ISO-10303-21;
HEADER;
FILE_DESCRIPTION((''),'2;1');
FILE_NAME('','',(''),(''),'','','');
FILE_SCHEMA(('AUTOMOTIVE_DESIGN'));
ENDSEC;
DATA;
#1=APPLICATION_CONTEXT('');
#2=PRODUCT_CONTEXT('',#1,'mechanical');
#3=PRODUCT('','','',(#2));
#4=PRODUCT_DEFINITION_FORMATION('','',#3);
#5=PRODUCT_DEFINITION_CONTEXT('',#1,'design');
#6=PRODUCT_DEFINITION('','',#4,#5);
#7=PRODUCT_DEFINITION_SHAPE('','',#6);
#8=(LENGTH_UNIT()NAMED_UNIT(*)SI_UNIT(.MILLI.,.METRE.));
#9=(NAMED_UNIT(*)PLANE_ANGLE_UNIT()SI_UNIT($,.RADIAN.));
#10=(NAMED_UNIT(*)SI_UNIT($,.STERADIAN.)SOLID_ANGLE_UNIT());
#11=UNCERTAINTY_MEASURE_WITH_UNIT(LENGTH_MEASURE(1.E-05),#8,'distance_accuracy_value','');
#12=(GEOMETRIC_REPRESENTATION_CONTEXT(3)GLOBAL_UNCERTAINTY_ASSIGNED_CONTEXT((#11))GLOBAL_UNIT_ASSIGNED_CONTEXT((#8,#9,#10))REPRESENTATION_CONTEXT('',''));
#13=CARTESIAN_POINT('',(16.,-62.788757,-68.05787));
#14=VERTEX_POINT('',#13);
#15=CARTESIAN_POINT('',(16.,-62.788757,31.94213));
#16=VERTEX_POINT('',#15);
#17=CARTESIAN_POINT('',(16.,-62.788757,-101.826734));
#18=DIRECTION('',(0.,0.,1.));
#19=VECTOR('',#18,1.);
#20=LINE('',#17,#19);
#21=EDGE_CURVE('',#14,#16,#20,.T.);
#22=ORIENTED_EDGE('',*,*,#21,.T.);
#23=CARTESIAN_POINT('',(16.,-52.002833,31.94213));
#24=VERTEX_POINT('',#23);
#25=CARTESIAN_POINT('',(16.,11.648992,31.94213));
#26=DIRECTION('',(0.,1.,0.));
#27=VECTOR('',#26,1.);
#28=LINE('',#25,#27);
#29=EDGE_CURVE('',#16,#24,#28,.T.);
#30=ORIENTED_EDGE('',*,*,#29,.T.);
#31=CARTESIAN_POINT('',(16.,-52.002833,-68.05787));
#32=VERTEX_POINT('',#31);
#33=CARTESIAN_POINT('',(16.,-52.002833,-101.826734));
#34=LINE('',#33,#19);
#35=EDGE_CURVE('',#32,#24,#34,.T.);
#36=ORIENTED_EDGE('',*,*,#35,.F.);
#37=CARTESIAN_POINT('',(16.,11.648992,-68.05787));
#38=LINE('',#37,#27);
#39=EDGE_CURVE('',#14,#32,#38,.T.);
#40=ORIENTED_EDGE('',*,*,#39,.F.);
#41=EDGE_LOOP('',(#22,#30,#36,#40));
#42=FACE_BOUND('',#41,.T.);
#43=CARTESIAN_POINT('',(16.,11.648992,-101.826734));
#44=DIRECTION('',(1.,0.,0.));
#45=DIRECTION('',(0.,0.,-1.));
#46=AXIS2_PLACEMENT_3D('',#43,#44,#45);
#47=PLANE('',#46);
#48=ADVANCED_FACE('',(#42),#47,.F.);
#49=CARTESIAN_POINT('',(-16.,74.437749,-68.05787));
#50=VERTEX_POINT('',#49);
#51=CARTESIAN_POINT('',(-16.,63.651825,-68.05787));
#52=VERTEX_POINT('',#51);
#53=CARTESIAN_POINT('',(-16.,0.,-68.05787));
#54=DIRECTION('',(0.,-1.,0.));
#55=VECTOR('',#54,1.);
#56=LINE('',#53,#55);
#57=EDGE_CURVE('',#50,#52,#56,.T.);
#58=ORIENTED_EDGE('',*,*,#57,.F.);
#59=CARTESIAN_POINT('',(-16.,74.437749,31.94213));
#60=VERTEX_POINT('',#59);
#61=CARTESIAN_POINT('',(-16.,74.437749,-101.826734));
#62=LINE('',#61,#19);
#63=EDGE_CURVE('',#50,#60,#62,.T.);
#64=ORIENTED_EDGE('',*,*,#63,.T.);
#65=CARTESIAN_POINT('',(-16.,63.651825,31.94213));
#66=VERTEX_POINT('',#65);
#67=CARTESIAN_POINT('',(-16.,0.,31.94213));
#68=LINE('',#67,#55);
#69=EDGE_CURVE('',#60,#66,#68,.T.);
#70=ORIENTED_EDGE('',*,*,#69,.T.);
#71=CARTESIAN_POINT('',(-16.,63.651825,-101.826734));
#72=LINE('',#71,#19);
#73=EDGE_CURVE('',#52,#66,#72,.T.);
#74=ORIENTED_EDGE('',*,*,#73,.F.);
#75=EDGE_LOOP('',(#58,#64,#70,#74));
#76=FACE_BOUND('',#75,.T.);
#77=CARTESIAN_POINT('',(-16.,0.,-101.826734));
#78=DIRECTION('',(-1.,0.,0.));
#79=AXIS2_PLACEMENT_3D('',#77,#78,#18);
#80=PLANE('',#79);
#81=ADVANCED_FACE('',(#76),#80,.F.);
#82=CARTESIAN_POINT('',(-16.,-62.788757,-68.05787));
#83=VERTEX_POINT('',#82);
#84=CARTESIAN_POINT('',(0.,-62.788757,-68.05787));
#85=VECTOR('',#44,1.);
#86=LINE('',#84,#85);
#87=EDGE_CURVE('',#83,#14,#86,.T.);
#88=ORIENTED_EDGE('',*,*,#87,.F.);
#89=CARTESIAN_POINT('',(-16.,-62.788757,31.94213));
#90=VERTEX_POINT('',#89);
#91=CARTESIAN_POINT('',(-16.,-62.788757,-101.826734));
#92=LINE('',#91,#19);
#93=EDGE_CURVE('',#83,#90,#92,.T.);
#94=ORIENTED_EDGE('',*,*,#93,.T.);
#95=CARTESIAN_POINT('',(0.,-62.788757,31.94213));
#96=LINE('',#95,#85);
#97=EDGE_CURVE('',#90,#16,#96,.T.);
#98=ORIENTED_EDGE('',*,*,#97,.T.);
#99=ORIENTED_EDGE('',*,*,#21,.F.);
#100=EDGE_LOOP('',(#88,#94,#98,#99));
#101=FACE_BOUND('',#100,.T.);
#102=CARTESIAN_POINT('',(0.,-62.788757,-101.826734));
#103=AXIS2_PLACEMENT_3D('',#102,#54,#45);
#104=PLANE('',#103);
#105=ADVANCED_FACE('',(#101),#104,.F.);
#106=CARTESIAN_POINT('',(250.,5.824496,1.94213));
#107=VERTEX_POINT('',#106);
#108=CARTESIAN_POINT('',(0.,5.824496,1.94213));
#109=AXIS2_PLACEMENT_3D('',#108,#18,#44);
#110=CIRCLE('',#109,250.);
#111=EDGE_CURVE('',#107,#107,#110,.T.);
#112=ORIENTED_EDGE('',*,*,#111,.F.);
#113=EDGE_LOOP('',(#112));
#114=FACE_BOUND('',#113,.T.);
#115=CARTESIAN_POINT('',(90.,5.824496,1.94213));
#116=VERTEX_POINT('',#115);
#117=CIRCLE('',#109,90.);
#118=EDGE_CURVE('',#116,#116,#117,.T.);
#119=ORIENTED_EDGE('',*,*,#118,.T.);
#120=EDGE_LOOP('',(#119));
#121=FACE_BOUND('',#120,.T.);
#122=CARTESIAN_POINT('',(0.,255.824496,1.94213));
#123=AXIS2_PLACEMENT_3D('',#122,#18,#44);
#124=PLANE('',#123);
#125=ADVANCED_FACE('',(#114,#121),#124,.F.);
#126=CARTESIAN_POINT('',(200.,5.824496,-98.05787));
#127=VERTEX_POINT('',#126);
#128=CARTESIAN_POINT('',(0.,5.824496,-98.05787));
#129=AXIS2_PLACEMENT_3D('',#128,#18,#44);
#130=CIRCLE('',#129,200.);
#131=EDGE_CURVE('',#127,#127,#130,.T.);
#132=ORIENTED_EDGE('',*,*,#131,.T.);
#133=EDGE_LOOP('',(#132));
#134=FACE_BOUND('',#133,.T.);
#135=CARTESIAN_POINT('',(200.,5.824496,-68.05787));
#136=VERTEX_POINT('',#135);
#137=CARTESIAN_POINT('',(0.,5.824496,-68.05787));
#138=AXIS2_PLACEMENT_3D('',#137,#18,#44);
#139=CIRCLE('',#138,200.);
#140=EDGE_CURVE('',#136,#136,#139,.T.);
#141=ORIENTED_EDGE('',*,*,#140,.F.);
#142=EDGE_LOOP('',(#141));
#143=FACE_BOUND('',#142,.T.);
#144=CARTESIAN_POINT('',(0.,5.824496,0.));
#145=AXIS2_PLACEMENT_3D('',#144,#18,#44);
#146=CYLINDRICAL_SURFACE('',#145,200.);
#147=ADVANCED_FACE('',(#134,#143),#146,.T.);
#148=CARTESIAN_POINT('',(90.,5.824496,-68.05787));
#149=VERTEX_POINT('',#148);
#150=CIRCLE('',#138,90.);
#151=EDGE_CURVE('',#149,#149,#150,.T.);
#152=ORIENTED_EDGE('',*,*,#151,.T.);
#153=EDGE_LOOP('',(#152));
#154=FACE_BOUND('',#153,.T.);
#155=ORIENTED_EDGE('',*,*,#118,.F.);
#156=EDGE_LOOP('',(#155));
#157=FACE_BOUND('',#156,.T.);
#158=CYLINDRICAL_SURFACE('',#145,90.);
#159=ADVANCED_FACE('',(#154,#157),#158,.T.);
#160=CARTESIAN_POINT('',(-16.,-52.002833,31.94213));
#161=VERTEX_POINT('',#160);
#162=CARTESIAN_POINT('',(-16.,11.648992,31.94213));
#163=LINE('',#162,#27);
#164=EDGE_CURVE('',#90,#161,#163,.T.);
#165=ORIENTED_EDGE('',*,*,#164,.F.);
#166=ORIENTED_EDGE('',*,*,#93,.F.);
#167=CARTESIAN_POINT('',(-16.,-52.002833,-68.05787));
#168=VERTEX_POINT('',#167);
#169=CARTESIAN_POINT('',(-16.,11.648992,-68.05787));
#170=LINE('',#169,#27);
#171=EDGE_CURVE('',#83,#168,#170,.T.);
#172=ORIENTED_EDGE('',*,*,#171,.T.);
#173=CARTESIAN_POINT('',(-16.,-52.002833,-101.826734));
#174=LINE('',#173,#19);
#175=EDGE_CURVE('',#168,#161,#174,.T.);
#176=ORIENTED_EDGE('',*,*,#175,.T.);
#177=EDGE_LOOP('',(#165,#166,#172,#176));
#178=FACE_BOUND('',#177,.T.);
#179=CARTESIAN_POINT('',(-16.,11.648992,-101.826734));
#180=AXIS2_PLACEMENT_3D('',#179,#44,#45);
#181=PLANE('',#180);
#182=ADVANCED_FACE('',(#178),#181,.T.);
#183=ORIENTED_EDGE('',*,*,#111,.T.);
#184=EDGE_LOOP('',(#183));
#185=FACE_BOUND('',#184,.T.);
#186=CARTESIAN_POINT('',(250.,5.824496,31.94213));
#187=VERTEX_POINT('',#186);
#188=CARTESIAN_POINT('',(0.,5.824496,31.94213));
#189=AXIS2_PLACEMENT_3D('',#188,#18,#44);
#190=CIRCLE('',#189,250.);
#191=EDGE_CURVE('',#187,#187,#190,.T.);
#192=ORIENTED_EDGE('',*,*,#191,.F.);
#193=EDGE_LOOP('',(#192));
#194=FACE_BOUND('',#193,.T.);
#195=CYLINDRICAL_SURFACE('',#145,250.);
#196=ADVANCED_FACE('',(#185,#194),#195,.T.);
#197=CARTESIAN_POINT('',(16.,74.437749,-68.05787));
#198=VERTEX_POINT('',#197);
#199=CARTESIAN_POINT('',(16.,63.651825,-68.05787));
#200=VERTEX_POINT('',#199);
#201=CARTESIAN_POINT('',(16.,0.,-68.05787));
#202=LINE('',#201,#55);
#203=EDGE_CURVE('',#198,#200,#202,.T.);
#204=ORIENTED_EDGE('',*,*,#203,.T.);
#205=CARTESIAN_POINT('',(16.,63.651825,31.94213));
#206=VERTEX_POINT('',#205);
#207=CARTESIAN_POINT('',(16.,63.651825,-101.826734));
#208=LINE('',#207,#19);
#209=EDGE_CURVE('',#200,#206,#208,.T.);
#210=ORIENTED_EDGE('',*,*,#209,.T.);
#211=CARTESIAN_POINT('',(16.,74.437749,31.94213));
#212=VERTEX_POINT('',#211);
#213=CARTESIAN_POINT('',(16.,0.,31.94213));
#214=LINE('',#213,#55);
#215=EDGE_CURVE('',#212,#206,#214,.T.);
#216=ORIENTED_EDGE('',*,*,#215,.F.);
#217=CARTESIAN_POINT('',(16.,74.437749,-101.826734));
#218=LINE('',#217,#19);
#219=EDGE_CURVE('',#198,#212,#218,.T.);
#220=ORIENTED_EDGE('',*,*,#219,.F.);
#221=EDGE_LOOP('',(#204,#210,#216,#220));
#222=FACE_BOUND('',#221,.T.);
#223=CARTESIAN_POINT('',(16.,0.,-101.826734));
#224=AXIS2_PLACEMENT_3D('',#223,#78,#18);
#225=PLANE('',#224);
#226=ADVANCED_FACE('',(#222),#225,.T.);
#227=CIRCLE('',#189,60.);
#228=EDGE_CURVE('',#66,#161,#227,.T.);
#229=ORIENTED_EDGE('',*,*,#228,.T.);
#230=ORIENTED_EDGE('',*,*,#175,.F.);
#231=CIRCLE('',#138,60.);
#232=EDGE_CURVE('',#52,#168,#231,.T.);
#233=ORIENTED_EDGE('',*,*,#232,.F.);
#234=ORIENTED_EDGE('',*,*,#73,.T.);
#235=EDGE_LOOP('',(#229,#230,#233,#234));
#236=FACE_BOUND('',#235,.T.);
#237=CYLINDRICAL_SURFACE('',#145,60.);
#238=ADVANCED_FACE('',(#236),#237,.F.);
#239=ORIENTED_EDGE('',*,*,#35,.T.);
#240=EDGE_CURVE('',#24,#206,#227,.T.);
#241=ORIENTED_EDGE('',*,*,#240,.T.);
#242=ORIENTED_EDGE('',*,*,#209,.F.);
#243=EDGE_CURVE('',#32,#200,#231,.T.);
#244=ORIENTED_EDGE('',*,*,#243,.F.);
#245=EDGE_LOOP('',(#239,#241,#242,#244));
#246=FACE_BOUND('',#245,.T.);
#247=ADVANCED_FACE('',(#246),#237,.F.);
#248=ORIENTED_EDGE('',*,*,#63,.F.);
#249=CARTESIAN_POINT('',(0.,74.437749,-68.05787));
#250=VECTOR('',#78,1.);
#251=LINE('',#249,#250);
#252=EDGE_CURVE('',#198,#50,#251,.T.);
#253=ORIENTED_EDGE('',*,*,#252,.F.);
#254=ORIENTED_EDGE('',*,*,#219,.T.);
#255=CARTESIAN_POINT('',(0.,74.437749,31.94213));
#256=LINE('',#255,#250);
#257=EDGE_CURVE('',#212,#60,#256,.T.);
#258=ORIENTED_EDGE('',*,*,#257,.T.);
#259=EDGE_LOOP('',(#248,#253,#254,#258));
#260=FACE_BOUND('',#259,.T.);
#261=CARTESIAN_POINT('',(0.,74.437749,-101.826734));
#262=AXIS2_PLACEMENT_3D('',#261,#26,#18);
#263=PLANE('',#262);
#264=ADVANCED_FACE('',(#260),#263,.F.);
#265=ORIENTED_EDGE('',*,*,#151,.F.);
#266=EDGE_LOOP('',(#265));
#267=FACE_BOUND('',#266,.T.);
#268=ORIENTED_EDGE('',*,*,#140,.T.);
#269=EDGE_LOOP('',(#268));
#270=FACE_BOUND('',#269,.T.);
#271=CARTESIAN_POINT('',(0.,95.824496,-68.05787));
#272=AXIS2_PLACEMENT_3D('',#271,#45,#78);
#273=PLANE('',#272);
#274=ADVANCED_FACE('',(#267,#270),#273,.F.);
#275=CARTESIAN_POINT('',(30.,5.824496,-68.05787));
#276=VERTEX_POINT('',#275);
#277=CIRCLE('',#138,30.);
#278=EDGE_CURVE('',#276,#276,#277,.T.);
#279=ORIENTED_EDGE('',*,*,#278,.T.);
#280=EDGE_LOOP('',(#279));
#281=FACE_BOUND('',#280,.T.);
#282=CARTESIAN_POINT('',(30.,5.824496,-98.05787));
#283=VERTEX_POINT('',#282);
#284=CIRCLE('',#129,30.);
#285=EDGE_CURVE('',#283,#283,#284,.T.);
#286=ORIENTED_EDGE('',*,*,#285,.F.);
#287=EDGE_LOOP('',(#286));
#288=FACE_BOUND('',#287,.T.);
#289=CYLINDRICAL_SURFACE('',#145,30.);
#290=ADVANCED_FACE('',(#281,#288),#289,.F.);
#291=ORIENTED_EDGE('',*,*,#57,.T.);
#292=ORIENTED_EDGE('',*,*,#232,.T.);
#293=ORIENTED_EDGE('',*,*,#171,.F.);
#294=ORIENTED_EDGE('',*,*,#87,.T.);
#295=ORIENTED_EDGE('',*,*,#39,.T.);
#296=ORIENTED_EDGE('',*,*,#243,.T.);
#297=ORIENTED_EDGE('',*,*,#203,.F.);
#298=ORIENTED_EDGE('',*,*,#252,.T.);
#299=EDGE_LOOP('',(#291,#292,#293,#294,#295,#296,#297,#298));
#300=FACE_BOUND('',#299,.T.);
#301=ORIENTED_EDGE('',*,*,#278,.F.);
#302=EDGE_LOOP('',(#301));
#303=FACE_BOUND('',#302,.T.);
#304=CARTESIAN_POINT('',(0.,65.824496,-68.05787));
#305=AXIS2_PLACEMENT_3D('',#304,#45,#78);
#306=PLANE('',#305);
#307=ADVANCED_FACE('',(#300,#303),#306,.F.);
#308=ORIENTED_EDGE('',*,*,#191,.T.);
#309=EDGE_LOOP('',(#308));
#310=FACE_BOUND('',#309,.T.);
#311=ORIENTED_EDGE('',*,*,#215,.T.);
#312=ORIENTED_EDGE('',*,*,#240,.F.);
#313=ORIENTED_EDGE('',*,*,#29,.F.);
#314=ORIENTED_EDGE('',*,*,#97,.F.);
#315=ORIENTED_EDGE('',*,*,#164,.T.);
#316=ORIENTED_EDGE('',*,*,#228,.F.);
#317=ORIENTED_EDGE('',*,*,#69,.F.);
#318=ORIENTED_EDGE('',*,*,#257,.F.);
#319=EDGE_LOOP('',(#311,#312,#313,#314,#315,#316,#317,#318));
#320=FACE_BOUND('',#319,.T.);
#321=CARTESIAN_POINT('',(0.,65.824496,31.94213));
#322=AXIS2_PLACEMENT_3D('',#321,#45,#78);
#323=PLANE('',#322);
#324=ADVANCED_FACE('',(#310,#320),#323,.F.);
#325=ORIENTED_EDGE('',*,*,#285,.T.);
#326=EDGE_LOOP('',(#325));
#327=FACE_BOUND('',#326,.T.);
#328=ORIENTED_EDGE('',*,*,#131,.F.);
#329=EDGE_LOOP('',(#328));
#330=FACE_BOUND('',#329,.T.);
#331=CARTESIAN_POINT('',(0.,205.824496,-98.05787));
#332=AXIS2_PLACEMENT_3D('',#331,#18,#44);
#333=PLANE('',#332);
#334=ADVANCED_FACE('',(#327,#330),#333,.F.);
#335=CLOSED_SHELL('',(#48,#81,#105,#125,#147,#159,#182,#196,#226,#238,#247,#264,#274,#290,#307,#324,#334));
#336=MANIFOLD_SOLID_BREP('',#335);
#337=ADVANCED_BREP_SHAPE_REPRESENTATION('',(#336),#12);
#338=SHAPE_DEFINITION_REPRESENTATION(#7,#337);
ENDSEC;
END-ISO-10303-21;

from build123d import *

# Parameters (mm, degrees)
CUT_EXTRUDE1_DEPTH = 100
CIRPATTERN1_COUNT  = 2


with BuildPart() as part:
    # Sketch2 → Revolve1 (revolve)
    with BuildSketch(Plane(origin=(0, 0, 0), x_dir=(0, 0, -1), z_dir=(1, 0, 0))):
        Polygon((-31.942129743, 65.824496016), (-31.942129743, 255.824496016), (-1.942129743, 255.824496016), (-1.942129743, 95.824496016), (68.057870257, 95.824496016), (68.057870257, 205.824496016), (98.057870257, 205.824496016), (98.057870257, 35.824496016), (68.057870257, 35.824496016), (68.057870257, 65.824496016), align=None)
    revolve(axis=Axis((0, 5.824496016, 0), (0, 0, -1)))

    # Sketch3 → Cut-Extrude1 (cut)
    with BuildSketch(Plane.XY.offset(31.942129743)):
        with BuildLine():
            Line((16, 63.651825195), (16, 74.437748913))
            Line((16, 74.437748913), (-16, 74.437748913))
            Line((-16, 74.437748913), (-16, 63.651825195))
            ThreePointArc((-16, 63.651825195), (0, 65.824496016), (16, 63.651825195))
        make_face()
    cut_extrude1 = extrude(amount=-CUT_EXTRUDE1_DEPTH, mode=Mode.SUBTRACT)

    # CirPattern1: Cut-Extrude1 ×2 about axis
    cirpattern1_axis = Axis((0, 5.824496016, 0), (0, 0, 1))
    for i in range(1, CIRPATTERN1_COUNT):
        add(cut_extrude1.rotate(cirpattern1_axis, i * 360 / CIRPATTERN1_COUNT), mode=Mode.SUBTRACT)


solid = part.part
